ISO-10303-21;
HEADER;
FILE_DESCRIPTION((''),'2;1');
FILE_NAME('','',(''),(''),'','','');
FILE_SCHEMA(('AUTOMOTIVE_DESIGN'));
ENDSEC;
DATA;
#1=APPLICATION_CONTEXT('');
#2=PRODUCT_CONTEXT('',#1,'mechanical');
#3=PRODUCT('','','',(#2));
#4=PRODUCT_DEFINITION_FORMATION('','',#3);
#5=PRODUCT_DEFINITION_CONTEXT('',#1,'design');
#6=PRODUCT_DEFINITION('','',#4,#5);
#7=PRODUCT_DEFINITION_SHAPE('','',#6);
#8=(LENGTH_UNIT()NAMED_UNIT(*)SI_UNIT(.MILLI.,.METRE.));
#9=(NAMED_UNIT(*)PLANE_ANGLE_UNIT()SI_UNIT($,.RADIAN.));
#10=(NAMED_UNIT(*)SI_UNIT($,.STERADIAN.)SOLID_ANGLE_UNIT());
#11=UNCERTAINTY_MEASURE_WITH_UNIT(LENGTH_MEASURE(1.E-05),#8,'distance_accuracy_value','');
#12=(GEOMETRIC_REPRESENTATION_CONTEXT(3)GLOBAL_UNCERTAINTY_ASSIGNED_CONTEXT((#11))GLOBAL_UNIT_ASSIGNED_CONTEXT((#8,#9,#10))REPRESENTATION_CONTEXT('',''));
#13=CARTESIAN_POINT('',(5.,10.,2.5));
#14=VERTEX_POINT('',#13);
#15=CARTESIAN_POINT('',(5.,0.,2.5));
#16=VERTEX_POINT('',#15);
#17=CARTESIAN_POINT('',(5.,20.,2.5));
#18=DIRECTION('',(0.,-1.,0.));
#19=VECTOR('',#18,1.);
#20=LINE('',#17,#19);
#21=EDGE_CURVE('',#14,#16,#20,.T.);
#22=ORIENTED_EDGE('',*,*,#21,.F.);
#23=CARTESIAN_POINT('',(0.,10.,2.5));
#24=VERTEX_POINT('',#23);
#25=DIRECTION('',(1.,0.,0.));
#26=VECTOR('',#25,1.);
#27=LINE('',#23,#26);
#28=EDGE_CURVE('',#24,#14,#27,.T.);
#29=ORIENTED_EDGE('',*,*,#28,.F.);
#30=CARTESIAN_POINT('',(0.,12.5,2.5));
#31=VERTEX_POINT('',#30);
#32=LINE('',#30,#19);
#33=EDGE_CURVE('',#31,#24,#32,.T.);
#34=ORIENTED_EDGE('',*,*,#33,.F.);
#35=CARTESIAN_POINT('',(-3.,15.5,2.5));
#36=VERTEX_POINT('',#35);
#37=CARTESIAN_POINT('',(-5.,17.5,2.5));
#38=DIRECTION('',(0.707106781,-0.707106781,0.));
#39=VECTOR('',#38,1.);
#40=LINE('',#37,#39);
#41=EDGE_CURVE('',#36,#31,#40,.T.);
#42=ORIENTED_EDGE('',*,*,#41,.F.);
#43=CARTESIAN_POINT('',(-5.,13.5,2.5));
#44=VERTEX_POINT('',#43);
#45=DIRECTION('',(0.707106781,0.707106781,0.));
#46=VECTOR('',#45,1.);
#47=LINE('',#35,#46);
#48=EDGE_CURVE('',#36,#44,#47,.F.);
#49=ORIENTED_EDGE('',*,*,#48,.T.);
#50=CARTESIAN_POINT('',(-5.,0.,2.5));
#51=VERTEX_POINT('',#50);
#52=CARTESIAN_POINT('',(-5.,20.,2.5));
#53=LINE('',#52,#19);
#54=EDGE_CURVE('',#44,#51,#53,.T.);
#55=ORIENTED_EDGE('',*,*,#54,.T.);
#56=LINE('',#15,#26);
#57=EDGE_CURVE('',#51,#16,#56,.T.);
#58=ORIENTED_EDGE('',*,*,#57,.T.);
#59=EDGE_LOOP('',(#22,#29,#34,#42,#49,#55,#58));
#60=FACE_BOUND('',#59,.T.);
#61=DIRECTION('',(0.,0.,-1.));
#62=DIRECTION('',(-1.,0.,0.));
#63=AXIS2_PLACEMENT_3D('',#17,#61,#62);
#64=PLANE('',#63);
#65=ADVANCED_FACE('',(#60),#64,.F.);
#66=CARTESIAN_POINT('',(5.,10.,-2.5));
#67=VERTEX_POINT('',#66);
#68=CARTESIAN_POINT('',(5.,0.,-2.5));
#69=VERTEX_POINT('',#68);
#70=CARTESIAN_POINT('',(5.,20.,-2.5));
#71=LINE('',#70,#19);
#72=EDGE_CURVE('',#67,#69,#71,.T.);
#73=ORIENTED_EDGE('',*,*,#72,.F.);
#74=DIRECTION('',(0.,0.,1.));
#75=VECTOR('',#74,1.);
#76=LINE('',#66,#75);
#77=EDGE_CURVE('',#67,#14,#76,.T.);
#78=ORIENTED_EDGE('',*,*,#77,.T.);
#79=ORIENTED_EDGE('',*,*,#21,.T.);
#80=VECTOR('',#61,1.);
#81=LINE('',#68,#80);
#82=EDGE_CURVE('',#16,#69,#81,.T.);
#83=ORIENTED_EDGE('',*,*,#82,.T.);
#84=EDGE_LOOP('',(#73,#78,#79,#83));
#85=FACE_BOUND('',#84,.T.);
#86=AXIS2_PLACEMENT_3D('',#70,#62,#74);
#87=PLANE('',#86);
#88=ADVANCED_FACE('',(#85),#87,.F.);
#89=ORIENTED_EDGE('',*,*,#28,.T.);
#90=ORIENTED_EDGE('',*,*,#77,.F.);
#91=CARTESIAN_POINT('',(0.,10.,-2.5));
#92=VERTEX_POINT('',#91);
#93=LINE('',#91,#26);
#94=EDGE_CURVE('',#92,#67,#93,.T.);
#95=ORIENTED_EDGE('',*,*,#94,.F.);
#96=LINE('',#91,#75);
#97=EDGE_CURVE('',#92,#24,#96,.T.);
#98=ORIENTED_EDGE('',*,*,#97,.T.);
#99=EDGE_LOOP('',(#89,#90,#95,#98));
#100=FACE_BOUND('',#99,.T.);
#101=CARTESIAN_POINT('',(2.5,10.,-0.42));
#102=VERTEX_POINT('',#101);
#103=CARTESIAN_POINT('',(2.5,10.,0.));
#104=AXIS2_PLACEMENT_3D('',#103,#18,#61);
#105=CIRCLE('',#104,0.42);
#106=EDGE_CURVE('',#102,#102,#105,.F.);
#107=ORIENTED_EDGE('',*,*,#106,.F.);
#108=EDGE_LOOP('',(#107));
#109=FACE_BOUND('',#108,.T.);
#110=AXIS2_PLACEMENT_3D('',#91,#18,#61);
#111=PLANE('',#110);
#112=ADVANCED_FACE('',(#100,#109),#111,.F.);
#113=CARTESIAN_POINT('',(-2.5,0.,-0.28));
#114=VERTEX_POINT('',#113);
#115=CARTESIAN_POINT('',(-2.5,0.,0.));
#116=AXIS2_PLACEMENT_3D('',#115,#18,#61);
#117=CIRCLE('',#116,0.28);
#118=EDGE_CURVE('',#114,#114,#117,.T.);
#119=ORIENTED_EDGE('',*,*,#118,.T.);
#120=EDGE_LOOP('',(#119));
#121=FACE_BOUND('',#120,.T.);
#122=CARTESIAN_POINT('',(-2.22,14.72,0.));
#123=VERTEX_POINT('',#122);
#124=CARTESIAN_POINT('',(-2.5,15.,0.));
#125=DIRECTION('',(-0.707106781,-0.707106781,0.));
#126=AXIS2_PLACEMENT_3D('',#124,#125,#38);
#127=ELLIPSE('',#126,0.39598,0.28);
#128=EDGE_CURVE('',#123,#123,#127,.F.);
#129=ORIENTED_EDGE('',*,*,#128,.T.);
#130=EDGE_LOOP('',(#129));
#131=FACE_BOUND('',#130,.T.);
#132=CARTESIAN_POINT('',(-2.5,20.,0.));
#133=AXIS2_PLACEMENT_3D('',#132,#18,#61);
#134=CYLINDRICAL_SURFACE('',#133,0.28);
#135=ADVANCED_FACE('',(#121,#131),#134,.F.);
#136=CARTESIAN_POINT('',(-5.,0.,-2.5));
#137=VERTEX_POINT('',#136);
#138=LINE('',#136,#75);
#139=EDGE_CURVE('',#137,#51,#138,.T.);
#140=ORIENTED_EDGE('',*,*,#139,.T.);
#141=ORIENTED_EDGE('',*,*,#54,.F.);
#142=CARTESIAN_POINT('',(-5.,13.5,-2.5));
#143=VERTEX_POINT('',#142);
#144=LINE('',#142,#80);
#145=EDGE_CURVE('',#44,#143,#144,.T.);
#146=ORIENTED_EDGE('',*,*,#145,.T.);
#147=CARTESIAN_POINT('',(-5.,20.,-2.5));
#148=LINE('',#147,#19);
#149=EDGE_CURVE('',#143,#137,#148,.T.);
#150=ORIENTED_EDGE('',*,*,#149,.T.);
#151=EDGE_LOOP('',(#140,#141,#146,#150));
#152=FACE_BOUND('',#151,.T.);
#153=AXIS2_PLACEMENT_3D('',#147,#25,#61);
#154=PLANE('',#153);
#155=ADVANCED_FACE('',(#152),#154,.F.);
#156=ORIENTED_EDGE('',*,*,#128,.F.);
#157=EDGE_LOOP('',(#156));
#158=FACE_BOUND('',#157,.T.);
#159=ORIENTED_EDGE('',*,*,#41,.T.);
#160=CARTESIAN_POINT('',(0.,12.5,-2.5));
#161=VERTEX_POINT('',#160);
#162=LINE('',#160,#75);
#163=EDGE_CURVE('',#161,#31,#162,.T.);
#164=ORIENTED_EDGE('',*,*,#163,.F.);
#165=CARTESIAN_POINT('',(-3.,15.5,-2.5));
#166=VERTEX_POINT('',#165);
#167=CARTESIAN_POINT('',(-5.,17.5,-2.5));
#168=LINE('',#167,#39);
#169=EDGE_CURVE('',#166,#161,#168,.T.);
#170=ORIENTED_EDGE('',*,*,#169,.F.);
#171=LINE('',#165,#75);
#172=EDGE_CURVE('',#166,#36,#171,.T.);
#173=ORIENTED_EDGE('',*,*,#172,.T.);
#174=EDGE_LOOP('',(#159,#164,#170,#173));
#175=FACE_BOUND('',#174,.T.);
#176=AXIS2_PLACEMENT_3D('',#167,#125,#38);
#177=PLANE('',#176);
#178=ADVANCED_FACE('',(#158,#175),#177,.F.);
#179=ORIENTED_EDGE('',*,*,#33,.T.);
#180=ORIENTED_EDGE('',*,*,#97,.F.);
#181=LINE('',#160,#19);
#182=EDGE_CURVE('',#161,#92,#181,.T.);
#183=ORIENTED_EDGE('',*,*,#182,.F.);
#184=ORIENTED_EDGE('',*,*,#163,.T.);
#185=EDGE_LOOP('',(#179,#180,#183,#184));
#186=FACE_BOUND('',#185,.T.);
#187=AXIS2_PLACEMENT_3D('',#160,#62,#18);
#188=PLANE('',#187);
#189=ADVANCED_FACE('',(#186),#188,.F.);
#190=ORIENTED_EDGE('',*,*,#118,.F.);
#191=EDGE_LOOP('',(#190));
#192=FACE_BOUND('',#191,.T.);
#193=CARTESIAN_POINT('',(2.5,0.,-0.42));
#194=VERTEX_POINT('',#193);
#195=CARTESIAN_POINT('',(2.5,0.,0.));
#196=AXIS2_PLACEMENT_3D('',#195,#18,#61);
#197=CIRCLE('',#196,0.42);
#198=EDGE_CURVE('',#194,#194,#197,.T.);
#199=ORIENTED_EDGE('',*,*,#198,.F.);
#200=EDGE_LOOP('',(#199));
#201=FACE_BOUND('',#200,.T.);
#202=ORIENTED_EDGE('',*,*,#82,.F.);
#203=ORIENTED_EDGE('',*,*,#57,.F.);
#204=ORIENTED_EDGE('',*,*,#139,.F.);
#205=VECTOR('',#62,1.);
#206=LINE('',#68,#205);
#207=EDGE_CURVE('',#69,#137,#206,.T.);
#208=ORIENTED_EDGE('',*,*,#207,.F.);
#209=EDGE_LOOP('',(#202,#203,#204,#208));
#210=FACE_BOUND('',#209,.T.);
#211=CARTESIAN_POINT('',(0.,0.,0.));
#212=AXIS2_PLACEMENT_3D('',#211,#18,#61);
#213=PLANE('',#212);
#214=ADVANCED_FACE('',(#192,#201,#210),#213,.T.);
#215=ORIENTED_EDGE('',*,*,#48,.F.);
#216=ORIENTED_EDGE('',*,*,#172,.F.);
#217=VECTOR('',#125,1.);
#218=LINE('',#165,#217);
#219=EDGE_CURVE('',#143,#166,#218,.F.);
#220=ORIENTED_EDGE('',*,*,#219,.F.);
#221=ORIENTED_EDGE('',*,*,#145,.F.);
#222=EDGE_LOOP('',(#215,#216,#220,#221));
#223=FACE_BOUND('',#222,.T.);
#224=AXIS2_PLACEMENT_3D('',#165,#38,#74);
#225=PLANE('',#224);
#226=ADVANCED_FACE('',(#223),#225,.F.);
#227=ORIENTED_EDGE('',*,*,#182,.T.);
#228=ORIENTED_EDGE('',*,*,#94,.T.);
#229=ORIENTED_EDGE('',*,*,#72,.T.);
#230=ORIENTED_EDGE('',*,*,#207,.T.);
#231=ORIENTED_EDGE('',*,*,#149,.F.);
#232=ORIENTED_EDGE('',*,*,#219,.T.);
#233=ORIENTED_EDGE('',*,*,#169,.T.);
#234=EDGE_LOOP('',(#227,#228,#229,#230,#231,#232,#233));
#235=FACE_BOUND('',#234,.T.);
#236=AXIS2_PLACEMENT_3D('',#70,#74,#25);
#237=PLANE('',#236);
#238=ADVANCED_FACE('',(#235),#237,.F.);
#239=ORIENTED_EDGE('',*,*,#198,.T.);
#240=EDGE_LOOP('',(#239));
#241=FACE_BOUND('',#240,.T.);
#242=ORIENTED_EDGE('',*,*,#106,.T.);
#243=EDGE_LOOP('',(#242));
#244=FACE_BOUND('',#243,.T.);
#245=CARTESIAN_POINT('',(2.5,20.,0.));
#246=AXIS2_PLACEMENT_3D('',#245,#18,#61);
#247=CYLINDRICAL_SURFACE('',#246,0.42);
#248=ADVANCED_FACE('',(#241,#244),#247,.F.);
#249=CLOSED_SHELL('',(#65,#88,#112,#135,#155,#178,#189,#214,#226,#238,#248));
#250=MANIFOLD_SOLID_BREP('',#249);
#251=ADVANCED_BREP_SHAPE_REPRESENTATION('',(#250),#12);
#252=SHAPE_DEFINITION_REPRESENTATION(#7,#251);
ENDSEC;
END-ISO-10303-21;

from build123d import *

# Parameters (mm, degrees)
SKETCH1_W               = 10
SKETCH1_H               = 5
BOSS_EXTRUDE1_DEPTH     = 20
SKETCH2_R               = 0.42
SKETCH2_R_2             = 0.28
CUT_EXTRUDE1_DEPTH      = 21
CUT_EXTRUDE2_DEPTH      = 3.5
CUT_EXTRUDE2_DEPTH_BACK = 3.5
CHAMFER1_SIZE2          = 2.828427125
CHAMFER1_SIZE           = 4


with BuildPart() as part:
    # Sketch1 → Boss-Extrude1 (new body)
    with BuildSketch(Plane(origin=(0, 0, 0), x_dir=(1, 0, 0), z_dir=(0, 1, 0))):
        Rectangle(SKETCH1_W, SKETCH1_H)
    extrude(amount=BOSS_EXTRUDE1_DEPTH)

    # Sketch2 → Cut-Extrude1 (cut, through all)
    with BuildSketch(Plane.XZ):
        with Locations((2.5, 0)):
            Circle(SKETCH2_R)
        with Locations((-2.5, 0)):
            Circle(SKETCH2_R_2)
    extrude(amount=-CUT_EXTRUDE1_DEPTH, mode=Mode.SUBTRACT)

    # Sketch3 → Cut-Extrude2 (cut, two sides)
    with BuildSketch(Plane.XY) as cut_extrude2_sk:
        Polygon((-5, 17.5), (0, 12.5), (0, 10), (5, 10), (5, 20), (-5, 20), align=None)
    extrude(amount=CUT_EXTRUDE2_DEPTH, mode=Mode.SUBTRACT)
    extrude(cut_extrude2_sk.sketch, amount=-CUT_EXTRUDE2_DEPTH_BACK, mode=Mode.SUBTRACT)

    # Chamfer1
    chamfer1_edges = [part.edges().sort_by_distance(p)[0] for p in [
        (-5, 17.5, 0),
    ]]
    chamfer(chamfer1_edges, length=CHAMFER1_SIZE, length2=CHAMFER1_SIZE2)


solid = part.part
